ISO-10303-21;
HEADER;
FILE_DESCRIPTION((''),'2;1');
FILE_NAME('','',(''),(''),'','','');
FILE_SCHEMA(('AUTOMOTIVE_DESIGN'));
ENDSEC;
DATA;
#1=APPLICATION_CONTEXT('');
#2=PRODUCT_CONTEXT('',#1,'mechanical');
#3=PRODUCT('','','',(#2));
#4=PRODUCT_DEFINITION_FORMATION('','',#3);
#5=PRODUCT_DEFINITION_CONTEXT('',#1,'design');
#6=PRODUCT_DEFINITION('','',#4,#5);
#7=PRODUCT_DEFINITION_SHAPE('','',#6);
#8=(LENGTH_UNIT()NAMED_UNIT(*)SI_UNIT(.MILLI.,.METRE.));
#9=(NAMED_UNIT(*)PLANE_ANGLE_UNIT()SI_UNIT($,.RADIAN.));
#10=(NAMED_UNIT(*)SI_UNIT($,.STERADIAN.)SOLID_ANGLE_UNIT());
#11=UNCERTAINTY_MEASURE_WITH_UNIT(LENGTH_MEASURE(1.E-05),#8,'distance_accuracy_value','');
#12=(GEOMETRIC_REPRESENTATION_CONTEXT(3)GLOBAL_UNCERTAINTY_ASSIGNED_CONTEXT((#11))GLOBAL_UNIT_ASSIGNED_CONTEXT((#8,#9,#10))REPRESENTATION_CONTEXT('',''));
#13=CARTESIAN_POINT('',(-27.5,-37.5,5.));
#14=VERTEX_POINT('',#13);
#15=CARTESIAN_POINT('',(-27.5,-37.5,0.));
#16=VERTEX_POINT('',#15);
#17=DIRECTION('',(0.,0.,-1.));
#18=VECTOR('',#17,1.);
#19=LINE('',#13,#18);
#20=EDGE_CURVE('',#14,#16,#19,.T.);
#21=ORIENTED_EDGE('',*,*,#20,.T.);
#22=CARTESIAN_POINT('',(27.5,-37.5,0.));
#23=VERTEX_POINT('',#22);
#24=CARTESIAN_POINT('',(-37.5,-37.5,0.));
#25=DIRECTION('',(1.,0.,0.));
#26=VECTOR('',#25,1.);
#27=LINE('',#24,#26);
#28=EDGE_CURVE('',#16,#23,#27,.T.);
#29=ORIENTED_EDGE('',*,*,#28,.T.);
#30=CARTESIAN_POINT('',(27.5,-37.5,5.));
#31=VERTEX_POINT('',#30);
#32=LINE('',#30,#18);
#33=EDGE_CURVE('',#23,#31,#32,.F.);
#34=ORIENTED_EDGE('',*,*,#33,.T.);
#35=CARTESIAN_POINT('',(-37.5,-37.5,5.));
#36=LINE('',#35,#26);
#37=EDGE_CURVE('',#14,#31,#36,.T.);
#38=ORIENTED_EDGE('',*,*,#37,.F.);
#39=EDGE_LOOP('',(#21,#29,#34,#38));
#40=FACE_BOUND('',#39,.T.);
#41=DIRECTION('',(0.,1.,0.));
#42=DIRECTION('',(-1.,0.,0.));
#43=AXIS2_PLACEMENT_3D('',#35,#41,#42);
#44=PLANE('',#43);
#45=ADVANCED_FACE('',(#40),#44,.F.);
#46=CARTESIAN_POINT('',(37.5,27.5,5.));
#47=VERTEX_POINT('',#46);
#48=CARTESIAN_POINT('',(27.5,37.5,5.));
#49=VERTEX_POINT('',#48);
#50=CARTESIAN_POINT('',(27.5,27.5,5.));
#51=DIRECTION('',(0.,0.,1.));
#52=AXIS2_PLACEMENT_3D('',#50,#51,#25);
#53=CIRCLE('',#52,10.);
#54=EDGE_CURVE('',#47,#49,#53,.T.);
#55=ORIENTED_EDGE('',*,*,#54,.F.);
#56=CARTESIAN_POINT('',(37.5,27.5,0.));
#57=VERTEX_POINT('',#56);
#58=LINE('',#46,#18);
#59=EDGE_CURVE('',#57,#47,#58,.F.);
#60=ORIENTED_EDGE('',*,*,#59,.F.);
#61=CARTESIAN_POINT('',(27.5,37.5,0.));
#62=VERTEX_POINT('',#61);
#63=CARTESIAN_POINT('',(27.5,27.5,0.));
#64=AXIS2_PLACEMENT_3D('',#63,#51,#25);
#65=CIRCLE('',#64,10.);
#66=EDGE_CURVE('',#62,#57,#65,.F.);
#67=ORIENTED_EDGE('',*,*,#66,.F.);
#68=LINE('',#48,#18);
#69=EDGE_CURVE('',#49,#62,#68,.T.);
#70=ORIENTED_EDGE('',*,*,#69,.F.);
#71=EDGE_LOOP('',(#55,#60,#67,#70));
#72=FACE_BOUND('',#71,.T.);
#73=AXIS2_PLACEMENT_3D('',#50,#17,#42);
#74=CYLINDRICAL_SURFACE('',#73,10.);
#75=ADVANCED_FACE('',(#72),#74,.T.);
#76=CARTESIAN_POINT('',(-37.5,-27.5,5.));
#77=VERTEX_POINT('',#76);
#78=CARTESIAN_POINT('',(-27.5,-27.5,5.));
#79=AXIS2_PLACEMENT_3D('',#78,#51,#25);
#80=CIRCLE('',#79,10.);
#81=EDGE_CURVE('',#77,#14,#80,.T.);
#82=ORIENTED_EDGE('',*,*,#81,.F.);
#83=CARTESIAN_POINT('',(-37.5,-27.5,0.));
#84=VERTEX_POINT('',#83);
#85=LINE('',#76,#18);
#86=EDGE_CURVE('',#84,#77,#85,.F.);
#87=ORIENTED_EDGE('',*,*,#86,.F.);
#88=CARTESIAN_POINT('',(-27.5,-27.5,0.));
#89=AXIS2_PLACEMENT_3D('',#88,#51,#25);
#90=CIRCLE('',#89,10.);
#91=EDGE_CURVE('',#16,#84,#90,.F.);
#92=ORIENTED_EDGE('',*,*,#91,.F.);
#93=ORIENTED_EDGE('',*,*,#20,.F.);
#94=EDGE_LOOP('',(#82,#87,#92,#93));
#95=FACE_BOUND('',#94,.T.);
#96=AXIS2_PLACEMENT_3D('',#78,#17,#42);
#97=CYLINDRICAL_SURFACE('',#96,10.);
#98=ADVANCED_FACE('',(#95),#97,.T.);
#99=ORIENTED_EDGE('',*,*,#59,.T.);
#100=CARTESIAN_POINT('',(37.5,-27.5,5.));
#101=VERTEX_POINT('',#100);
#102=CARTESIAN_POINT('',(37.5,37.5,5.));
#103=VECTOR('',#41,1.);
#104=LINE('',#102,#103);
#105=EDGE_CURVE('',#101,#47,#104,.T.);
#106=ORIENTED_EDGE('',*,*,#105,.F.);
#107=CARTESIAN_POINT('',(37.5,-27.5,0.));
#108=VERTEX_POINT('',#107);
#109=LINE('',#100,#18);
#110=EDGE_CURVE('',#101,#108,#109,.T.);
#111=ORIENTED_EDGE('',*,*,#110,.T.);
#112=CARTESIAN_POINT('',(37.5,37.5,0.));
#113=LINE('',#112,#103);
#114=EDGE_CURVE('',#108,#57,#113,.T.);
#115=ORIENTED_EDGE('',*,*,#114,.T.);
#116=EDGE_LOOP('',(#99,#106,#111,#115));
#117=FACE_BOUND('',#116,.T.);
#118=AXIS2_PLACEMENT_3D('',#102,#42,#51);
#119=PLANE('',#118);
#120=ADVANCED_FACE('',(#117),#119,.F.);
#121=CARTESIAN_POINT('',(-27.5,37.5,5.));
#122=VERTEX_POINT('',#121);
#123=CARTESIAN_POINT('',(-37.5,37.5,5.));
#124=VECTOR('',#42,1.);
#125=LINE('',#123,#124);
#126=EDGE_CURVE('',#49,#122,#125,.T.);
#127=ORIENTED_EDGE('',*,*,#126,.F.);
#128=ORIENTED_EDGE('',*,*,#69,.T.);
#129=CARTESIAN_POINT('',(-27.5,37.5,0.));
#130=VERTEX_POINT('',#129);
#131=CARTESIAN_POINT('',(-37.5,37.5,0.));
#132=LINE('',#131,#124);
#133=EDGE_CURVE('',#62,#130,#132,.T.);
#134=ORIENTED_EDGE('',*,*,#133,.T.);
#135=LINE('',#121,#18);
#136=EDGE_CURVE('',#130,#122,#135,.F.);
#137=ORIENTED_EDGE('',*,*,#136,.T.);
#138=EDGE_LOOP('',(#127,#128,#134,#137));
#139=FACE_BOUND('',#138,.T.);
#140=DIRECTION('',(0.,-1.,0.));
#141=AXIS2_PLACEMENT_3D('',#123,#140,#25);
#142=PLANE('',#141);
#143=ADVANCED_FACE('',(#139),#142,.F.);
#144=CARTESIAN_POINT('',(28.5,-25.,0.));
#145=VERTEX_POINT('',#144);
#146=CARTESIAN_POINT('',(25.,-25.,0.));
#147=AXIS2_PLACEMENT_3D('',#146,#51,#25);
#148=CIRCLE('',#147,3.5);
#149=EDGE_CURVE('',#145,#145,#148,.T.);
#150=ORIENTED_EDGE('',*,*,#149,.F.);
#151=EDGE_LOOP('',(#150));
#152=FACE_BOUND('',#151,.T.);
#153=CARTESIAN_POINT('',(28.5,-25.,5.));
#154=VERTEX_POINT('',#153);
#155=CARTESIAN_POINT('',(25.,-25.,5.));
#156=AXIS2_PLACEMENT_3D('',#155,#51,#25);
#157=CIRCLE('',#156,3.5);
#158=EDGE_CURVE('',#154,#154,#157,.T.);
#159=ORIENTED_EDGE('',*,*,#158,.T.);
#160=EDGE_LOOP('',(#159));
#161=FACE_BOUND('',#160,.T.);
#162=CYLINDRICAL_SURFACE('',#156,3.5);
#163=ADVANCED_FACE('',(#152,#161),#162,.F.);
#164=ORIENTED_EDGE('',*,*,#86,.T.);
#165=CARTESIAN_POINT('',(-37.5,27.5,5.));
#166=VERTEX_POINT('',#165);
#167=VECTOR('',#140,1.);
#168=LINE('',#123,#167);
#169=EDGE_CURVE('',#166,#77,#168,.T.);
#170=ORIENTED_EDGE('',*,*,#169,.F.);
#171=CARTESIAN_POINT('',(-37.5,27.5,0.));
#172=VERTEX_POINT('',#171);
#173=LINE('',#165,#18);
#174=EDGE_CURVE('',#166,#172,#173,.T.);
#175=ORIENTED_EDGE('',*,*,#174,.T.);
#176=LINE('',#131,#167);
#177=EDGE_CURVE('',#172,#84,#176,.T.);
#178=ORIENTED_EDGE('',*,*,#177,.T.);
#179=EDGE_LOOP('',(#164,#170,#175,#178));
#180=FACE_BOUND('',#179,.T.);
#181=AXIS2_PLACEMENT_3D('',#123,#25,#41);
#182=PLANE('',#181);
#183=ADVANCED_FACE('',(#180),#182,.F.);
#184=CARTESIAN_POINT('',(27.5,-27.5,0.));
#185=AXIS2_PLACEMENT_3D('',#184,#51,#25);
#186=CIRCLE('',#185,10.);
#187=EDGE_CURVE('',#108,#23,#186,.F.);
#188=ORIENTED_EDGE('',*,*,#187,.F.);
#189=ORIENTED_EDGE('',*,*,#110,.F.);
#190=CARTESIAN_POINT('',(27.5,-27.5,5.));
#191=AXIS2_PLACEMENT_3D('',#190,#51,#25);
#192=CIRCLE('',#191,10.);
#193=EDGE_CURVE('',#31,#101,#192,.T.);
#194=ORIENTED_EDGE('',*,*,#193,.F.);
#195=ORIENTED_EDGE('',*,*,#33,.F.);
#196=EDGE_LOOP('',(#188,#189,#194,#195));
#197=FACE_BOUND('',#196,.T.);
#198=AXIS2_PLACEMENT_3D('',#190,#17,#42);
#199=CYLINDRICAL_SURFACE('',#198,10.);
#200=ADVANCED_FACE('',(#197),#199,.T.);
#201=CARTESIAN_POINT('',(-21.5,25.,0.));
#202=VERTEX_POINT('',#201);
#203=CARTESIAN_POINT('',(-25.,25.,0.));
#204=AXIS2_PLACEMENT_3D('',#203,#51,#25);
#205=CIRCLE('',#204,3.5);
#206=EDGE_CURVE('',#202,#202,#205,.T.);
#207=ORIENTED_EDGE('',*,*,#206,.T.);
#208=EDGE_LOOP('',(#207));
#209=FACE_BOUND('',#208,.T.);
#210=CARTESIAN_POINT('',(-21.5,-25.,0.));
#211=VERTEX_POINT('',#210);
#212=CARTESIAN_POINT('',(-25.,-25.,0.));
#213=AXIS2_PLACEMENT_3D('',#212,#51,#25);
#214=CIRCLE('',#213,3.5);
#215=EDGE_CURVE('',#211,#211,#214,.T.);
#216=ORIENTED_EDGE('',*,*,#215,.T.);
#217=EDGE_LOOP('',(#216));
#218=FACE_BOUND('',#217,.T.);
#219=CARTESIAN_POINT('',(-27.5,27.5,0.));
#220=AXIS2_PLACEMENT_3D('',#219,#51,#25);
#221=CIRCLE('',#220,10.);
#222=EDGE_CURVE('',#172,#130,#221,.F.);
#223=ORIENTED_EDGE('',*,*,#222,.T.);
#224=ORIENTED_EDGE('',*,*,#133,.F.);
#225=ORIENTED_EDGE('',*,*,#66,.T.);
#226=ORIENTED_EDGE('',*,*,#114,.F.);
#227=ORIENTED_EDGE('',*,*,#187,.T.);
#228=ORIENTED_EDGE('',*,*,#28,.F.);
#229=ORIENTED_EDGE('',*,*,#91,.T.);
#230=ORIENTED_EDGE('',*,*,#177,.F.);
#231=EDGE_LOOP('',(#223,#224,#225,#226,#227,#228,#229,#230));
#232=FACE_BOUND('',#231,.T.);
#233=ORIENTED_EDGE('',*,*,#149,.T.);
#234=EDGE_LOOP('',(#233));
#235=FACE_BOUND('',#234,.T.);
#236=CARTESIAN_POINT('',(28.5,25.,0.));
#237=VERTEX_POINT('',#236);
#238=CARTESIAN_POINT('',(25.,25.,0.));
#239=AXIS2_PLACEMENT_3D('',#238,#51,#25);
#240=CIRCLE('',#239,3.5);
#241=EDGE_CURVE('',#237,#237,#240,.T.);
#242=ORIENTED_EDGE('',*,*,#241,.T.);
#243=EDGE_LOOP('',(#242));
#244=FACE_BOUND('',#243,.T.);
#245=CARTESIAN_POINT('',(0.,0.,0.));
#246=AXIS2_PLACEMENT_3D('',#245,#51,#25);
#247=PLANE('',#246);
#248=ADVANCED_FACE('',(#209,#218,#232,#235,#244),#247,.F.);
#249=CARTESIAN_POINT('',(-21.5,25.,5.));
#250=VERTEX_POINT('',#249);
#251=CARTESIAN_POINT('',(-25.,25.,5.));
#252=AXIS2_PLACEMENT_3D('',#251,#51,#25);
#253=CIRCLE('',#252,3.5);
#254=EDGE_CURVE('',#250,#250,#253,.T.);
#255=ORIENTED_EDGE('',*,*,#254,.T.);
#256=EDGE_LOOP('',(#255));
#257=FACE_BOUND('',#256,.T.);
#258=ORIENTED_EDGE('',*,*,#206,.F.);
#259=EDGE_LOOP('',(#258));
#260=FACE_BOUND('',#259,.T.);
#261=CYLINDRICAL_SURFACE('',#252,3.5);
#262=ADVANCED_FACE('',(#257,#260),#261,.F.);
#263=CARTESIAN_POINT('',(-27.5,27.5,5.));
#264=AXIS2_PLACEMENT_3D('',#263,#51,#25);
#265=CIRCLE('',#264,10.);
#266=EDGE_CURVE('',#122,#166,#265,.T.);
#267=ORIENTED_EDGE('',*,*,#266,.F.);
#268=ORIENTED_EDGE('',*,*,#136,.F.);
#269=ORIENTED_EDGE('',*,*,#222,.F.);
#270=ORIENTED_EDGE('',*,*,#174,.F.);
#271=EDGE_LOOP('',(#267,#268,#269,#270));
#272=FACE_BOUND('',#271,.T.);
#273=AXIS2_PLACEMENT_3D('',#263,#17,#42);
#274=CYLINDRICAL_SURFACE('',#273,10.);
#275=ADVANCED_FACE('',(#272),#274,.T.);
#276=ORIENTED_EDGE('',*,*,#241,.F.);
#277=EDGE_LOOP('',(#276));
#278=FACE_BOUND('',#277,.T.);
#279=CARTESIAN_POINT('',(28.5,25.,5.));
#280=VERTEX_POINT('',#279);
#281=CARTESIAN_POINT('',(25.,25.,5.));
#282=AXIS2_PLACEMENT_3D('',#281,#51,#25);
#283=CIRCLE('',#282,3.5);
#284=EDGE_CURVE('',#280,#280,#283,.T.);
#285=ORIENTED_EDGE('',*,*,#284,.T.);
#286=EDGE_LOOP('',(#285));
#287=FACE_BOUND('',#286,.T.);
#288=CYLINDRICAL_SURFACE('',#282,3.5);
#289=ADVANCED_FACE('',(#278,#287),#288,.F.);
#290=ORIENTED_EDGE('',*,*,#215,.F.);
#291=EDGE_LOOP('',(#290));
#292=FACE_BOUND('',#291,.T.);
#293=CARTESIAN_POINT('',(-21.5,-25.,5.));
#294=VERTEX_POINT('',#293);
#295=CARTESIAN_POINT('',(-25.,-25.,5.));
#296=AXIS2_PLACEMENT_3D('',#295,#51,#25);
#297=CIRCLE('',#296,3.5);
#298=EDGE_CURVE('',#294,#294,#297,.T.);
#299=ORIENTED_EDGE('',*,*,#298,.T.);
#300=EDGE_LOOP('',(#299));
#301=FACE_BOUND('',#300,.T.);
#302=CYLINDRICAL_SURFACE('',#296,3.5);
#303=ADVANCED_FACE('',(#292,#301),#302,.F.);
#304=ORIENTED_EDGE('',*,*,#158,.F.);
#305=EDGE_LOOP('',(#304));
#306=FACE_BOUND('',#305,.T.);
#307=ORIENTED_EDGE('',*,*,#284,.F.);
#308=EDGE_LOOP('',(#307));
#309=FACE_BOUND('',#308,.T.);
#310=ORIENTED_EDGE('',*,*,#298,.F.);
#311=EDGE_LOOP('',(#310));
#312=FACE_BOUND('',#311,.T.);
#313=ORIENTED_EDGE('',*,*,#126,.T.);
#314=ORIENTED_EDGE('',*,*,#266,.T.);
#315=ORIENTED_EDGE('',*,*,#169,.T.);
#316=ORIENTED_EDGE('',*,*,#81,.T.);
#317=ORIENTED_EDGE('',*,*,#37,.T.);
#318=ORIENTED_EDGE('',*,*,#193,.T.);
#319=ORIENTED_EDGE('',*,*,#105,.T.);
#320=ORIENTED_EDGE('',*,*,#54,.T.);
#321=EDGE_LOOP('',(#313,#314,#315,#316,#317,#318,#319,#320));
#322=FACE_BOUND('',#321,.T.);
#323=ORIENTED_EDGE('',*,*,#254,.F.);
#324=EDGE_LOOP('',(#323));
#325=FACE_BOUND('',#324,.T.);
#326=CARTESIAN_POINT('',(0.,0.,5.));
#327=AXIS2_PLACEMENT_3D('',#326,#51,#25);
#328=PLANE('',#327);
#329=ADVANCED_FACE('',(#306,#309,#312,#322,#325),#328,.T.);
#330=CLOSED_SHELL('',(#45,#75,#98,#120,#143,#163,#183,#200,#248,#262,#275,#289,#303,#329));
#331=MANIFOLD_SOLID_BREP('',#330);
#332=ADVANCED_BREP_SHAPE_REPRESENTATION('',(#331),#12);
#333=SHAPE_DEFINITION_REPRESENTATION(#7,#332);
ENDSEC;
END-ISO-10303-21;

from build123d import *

# Parameters (mm, degrees)
SKETCH1_W                = 75
SKETCH1_H                = 75
BOSS_EXTRUDE1_DEPTH      = 5
F_7_0_7_DIAMETER_HOLE1_D = 7
FILLET1_R                = 10


with BuildPart() as part:
    # Sketch1 → Boss-Extrude1 (new body)
    with BuildSketch(Plane.XY):
        Rectangle(SKETCH1_W, SKETCH1_H)
    extrude(amount=BOSS_EXTRUDE1_DEPTH)

    # Ø7.0 (7) Diameter Hole1 (through all)
    with Locations(Plane.XY.offset(5)):
        with Locations((-25, 25), (-25, -25), (25, -25), (25, 25)):
            Hole(F_7_0_7_DIAMETER_HOLE1_D / 2)

    # Fillet1
    fillet1_edges = [part.edges().sort_by_distance(p)[0] for p in [
        (-37.5, 37.5, 2.5),
        (37.5, 37.5, 2.5),
        (37.5, -37.5, 2.5),
        (-37.5, -37.5, 2.5),
    ]]
    fillet(fillet1_edges, radius=FILLET1_R)


solid = part.part
